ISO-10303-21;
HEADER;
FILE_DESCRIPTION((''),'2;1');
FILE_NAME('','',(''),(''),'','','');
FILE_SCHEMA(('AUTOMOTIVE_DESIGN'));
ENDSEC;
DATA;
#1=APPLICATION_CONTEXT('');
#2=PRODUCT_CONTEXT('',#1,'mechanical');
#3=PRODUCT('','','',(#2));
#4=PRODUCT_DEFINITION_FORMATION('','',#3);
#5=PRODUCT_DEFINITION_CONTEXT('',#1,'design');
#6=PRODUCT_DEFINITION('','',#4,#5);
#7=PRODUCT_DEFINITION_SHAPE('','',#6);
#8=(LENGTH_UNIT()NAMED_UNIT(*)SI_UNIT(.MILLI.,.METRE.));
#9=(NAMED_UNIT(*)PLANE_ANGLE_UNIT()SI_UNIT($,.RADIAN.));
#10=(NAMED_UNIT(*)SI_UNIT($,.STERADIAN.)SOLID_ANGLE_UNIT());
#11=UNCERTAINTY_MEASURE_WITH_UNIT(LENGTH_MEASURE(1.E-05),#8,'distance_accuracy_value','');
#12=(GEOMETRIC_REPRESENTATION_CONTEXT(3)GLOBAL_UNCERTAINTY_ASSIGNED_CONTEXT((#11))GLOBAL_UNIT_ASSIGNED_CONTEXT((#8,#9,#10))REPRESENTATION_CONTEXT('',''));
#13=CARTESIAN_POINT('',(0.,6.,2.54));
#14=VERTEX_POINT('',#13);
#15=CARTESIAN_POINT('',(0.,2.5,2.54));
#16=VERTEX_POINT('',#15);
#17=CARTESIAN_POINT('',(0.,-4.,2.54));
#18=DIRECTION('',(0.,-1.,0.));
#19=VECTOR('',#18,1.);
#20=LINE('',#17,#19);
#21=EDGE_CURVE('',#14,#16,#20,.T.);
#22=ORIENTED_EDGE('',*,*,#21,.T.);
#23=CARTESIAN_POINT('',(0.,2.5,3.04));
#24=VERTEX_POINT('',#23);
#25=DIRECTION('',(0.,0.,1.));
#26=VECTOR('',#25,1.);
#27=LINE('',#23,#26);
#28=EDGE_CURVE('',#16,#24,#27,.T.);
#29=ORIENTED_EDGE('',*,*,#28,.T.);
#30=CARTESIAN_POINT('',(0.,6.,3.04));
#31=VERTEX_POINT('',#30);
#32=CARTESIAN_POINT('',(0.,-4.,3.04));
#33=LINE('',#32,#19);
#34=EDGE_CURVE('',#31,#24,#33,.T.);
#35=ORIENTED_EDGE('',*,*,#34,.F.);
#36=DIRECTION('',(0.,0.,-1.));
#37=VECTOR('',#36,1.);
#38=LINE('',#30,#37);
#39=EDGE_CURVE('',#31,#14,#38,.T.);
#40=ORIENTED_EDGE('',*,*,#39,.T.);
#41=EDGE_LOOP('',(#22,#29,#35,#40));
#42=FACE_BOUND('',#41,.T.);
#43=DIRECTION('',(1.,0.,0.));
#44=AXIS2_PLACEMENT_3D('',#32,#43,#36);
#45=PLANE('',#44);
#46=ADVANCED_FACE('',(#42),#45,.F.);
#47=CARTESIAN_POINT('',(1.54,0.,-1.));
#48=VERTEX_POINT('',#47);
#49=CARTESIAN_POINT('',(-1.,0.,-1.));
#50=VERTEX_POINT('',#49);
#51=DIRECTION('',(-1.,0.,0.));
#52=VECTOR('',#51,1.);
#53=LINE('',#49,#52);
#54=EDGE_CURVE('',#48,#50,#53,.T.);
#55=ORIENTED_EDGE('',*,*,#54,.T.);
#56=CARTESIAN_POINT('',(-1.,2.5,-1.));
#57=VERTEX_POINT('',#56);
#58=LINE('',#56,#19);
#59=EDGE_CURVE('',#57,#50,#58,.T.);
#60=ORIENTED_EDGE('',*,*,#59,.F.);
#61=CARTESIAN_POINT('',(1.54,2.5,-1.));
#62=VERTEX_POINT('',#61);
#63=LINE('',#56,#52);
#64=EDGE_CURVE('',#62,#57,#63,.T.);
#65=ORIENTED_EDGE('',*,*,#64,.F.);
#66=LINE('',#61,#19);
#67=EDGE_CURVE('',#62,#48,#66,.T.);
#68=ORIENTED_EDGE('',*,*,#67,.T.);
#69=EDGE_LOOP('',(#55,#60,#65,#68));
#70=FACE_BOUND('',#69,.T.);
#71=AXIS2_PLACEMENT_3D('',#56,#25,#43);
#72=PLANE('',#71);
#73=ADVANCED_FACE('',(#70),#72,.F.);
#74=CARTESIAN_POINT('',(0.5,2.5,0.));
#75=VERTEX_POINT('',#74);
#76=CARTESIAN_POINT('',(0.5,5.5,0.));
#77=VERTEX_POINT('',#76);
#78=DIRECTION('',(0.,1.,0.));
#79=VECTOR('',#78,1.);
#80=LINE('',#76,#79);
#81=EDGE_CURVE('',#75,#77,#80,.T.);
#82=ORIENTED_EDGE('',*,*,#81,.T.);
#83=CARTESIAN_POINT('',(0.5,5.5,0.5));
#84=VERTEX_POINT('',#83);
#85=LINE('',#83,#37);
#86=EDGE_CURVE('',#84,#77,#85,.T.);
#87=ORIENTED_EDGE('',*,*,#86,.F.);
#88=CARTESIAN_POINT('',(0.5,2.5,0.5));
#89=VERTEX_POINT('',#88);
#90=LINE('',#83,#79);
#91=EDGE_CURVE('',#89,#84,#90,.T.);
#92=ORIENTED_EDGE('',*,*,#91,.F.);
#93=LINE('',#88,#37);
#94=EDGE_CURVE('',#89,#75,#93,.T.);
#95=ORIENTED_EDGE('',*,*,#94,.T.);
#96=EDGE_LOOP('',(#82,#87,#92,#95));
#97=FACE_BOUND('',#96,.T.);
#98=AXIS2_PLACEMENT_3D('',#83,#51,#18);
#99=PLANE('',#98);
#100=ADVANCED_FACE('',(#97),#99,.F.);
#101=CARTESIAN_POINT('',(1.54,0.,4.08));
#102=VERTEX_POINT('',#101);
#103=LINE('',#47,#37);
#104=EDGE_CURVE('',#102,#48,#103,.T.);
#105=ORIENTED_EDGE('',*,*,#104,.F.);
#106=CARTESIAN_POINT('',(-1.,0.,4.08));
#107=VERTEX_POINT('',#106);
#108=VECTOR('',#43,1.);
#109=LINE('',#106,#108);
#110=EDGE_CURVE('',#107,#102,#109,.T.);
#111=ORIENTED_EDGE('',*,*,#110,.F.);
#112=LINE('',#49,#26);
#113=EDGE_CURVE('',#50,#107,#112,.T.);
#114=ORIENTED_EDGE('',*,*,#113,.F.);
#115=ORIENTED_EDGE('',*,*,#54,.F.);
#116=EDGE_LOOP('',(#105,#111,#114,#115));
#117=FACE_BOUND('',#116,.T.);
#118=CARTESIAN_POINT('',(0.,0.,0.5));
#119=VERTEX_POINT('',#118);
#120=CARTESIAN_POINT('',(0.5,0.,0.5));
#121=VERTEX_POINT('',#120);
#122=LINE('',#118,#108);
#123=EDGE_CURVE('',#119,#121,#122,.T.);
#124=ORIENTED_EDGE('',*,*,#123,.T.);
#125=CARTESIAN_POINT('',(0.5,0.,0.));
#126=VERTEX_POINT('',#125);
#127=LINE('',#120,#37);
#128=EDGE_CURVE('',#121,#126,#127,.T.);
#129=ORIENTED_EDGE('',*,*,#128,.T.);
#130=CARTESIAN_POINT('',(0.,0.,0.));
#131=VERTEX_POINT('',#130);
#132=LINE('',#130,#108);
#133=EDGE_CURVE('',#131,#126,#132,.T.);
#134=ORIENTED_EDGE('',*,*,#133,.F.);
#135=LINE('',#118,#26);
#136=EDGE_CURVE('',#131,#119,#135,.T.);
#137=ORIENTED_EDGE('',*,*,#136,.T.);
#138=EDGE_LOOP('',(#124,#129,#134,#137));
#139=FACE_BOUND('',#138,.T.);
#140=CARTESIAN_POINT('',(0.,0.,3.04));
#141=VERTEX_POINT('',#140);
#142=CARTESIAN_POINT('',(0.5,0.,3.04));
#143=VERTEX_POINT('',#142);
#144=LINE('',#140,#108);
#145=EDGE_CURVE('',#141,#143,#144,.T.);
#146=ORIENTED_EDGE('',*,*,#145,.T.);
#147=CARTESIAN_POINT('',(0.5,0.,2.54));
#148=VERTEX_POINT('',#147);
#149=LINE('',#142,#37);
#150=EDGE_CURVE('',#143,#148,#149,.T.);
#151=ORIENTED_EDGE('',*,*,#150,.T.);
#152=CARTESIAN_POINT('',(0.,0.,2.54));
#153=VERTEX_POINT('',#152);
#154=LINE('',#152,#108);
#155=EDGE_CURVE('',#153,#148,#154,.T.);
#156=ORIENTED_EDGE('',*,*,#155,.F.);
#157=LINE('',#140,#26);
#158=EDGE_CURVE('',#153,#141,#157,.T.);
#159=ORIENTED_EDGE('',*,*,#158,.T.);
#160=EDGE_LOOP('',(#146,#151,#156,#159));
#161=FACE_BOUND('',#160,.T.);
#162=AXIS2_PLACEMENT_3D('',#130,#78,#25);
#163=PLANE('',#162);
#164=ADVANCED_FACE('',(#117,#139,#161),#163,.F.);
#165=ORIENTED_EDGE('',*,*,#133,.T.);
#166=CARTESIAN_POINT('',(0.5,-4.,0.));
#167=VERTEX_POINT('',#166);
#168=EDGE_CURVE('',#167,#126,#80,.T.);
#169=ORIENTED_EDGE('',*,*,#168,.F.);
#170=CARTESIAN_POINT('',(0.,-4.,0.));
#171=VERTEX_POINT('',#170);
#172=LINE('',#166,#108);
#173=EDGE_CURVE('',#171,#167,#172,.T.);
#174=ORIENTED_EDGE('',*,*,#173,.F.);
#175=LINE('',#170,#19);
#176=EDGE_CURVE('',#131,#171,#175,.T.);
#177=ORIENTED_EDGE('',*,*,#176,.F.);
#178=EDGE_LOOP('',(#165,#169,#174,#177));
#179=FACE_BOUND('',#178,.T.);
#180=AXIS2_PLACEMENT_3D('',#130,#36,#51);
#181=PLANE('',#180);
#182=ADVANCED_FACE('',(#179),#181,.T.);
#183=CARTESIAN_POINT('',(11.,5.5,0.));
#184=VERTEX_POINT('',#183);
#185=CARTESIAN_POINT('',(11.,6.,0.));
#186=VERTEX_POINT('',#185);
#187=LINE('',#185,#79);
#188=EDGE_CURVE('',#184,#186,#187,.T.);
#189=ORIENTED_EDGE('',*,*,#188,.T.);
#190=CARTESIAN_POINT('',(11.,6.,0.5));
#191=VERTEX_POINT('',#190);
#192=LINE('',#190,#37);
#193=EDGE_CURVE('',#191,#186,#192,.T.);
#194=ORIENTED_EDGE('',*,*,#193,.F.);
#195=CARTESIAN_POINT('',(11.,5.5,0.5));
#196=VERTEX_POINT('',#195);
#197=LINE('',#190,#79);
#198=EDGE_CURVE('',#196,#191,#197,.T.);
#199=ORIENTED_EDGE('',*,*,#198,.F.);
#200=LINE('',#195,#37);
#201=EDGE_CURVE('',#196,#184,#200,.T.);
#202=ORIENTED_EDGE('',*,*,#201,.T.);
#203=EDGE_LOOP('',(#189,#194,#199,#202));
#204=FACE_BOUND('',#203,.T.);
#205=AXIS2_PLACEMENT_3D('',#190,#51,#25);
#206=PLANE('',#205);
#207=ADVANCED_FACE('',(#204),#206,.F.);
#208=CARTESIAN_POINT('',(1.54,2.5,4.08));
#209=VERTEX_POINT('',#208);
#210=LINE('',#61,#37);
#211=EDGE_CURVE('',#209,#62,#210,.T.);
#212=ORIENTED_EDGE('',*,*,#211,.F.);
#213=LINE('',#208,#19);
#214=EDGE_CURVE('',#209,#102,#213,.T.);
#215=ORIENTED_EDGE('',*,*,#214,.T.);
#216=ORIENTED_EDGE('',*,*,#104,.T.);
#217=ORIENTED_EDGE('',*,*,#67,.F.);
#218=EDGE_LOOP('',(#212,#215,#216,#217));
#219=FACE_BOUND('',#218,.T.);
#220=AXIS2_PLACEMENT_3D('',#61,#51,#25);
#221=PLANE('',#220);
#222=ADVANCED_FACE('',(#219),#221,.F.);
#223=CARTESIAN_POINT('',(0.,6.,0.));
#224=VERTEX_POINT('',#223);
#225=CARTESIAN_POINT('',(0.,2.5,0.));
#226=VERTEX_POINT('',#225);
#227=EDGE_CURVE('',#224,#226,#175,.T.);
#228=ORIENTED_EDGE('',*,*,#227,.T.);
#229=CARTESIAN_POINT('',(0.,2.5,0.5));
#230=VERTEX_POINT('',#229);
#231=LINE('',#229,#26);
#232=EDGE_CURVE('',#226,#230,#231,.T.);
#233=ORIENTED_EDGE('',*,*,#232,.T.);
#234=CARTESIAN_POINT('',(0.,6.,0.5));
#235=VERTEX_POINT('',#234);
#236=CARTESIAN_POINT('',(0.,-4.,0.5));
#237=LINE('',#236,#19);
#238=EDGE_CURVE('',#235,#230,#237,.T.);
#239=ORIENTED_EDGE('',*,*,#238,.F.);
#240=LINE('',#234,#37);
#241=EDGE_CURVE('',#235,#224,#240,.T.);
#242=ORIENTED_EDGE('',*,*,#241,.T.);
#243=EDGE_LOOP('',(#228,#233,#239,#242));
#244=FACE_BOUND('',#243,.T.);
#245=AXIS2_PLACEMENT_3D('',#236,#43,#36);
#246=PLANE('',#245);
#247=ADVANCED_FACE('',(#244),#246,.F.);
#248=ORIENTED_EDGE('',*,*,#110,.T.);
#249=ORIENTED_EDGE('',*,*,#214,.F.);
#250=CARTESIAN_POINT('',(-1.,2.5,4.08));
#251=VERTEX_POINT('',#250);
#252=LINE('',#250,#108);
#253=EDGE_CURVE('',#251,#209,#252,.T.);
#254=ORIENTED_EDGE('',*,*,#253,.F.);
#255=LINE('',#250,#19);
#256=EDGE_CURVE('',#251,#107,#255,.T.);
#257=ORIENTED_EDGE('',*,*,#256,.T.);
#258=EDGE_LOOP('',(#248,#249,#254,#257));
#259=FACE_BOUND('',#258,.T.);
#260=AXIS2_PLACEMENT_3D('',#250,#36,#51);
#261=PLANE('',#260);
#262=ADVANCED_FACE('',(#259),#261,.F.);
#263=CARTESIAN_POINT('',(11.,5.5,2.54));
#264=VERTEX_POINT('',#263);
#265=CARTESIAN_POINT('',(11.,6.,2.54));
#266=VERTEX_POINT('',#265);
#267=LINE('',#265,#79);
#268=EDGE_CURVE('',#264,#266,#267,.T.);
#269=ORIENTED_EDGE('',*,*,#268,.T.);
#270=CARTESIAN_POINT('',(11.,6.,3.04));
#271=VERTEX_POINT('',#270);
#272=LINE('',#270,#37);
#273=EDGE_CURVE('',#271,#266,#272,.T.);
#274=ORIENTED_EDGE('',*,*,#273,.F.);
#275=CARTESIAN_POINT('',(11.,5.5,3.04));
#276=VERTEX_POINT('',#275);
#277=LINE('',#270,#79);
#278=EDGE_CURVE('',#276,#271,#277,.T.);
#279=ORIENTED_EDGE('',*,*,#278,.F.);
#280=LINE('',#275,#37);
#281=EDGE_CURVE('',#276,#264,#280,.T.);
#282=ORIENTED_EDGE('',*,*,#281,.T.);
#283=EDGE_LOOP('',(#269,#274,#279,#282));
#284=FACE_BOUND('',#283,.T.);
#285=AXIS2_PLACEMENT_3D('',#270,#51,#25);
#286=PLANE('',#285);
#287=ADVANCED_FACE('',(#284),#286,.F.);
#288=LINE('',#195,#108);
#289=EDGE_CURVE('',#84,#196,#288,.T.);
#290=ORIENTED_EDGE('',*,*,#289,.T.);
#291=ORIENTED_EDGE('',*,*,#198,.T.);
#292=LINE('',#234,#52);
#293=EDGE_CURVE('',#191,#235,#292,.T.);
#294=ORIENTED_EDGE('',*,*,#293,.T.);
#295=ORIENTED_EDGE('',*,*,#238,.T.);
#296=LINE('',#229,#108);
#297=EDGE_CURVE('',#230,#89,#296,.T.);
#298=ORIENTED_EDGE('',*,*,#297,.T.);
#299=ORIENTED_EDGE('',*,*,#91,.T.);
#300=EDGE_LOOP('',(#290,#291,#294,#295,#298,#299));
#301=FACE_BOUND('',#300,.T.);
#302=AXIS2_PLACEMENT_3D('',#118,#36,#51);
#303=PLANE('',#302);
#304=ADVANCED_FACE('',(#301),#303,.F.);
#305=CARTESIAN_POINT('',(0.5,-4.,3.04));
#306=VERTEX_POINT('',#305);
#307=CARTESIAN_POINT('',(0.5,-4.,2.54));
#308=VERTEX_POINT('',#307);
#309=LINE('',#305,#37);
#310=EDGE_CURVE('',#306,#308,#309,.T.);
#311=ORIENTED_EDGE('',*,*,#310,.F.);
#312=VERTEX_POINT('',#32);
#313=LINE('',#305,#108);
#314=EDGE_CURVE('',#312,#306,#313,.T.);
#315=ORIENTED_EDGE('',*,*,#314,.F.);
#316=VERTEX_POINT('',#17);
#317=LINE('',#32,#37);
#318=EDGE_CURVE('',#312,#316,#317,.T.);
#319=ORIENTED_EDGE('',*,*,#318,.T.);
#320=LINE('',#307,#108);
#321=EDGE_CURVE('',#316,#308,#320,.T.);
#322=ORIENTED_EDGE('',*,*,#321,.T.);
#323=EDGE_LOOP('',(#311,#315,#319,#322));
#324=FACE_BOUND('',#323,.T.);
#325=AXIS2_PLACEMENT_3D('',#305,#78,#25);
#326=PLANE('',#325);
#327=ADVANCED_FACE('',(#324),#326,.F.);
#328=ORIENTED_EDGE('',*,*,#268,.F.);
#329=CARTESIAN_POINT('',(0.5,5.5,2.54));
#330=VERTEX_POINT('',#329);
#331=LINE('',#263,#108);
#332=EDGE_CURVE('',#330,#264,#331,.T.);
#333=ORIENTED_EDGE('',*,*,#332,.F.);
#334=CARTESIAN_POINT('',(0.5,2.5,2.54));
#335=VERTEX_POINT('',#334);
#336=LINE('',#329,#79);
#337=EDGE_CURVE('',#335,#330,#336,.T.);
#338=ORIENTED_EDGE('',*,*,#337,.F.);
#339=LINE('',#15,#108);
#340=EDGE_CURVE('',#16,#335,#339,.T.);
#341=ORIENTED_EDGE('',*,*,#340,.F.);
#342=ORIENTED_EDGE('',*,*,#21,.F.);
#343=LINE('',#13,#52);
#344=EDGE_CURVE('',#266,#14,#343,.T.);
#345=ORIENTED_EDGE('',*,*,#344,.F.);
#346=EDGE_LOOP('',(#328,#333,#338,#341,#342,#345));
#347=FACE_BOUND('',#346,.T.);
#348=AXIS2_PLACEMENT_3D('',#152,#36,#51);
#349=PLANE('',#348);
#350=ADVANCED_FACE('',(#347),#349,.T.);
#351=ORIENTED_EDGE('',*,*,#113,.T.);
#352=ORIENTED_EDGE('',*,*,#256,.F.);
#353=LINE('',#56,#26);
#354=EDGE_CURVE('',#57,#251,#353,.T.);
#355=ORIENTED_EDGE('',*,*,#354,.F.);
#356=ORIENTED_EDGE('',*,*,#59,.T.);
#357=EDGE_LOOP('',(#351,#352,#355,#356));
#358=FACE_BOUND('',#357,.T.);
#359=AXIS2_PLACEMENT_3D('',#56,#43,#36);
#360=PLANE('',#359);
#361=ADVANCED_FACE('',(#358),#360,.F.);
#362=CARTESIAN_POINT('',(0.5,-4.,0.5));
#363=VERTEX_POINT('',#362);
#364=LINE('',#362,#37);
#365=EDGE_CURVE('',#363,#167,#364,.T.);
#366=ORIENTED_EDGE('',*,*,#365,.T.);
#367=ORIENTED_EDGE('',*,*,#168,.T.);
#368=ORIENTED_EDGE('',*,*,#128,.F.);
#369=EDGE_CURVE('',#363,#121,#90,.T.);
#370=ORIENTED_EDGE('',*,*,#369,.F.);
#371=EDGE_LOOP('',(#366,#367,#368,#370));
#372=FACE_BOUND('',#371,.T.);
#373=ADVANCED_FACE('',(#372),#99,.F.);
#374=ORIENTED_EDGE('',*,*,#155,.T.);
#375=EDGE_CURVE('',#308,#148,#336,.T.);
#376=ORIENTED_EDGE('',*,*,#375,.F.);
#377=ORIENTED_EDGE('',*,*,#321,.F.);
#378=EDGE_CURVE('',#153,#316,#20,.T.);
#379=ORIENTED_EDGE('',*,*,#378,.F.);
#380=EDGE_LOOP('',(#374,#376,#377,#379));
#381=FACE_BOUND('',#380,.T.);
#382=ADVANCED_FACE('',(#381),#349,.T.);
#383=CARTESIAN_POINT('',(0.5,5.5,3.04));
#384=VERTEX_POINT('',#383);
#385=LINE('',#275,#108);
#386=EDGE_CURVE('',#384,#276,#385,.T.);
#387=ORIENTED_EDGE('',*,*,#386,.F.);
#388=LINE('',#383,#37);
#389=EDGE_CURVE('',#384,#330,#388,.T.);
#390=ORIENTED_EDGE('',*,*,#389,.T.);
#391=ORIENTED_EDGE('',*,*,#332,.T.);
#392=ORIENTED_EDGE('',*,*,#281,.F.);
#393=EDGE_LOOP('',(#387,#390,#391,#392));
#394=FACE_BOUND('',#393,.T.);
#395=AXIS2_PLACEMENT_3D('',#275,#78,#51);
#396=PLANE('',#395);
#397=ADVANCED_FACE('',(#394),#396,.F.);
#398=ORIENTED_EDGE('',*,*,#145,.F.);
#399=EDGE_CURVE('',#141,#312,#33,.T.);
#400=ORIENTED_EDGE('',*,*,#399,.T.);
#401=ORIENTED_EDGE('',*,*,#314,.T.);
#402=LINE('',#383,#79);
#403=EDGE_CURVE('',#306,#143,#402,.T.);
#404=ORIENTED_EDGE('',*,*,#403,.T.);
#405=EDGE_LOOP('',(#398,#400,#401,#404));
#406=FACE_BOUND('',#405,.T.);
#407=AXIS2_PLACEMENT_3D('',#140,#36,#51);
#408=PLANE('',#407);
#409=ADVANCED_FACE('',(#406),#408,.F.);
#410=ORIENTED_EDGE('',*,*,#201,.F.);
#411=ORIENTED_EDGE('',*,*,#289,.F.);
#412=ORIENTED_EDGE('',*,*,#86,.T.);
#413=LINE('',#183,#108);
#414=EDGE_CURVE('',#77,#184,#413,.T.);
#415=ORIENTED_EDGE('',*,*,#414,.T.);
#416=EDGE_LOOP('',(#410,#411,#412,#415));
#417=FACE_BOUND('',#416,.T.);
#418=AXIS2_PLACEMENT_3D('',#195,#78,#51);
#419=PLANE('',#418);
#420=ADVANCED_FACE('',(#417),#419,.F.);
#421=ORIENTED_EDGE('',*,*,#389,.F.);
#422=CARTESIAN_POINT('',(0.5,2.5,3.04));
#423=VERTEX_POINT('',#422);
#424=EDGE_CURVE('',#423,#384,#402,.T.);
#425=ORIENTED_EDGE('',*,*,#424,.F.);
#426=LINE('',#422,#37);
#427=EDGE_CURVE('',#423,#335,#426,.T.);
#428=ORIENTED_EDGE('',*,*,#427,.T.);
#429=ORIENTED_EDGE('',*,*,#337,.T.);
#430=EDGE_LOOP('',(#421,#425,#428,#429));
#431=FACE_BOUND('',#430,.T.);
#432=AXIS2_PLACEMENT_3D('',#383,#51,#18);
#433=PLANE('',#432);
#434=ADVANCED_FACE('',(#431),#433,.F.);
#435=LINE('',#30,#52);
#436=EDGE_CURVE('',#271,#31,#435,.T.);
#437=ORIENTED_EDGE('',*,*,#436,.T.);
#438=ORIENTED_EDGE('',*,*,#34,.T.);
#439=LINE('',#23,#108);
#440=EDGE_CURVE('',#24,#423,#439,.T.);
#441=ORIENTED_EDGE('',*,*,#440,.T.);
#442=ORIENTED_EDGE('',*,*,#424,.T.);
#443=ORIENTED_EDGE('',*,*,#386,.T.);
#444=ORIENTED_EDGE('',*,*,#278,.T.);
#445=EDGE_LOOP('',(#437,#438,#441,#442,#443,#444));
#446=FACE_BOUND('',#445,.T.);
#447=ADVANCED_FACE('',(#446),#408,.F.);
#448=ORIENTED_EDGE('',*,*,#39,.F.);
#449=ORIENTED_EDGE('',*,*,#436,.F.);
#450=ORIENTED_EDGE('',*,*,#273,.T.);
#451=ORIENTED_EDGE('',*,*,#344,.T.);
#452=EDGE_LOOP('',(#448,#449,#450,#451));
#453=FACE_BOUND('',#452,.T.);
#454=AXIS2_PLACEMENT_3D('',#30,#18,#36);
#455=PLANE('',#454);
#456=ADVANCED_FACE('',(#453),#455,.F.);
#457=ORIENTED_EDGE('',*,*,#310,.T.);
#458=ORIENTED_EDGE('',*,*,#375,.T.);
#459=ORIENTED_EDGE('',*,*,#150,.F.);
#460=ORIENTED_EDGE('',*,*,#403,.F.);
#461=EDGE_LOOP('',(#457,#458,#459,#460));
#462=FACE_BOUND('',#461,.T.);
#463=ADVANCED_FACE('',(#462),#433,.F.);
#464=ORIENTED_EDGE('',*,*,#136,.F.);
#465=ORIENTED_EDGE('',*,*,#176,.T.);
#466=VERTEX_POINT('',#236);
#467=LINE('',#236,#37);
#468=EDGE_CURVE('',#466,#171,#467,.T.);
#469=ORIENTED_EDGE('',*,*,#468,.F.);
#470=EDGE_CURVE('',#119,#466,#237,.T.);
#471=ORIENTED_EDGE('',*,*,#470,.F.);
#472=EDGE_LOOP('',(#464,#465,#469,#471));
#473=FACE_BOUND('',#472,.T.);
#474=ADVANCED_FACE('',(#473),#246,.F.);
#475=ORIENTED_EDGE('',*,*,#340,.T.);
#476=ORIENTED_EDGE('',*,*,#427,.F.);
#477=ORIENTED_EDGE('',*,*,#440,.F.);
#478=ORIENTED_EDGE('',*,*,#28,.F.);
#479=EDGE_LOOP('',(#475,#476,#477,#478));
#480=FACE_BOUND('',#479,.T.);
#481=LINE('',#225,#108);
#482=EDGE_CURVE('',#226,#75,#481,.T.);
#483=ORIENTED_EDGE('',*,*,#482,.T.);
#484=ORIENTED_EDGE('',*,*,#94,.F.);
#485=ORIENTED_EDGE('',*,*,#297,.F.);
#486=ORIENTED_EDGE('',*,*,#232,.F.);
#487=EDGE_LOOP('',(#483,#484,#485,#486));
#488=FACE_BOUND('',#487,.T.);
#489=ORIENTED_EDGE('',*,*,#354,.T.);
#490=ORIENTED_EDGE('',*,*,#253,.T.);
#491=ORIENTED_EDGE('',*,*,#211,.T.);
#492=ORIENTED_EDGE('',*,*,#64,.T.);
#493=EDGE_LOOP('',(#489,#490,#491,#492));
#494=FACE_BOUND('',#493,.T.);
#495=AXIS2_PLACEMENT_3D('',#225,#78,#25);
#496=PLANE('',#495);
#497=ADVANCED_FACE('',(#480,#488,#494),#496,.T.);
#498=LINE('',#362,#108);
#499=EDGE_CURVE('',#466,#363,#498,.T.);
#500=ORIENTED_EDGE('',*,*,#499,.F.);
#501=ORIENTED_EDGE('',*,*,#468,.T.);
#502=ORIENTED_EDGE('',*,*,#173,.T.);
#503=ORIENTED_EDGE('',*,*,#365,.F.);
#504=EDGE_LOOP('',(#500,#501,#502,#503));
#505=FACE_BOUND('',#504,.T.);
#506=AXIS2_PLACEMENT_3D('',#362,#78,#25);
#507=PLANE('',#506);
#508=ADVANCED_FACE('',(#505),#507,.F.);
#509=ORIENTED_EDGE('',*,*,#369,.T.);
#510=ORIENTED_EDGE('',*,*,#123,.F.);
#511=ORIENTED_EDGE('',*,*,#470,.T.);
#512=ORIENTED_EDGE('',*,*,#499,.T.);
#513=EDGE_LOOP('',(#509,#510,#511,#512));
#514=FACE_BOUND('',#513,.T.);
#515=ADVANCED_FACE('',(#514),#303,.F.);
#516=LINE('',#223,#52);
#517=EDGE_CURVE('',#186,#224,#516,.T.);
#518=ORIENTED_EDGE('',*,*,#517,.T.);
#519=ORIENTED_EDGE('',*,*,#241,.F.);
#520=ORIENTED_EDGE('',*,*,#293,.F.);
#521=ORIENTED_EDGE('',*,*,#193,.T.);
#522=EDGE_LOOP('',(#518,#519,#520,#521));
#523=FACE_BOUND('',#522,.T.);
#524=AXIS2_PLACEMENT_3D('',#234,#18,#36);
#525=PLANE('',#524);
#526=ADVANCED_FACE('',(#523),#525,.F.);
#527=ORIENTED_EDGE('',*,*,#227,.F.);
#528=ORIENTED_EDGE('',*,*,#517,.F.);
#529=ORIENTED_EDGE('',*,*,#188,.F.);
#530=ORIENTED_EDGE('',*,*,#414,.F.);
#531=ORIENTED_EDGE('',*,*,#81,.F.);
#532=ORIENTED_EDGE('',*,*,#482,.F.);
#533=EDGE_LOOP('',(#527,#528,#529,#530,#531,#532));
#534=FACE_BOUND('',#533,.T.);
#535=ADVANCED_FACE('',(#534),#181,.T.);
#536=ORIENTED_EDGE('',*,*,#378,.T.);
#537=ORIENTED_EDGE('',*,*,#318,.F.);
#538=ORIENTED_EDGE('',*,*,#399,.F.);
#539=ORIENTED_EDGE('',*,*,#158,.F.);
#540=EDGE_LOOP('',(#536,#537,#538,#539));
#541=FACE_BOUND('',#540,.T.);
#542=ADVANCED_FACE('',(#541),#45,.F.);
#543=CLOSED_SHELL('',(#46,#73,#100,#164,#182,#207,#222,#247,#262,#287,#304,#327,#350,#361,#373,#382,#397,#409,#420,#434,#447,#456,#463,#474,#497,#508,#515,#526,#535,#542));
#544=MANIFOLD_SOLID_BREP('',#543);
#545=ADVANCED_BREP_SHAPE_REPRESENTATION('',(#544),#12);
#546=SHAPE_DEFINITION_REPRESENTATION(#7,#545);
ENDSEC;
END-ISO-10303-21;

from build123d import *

# Parameters (mm, degrees)
BOSS_EXTRU_1_DEPTH         = 0.5
ESQUISSE2_W                = 2.54
ESQUISSE2_H                = 2.54
BOSS_EXTRU_2_DEPTH         = 2.5
R_P_TITION_LIN_AIRE3_COUNT = 2
R_P_TITION_LIN_AIRE3_PITCH = 2.54


with BuildPart() as part:
    # Esquisse1 → Boss.-Extru.1 (new body)
    with BuildSketch(Plane.XY):
        Polygon((0, -4), (0, 6), (11, 6), (11, 5.5), (0.5, 5.5), (0.5, -4), align=None)
    boss_extru_1 = extrude(amount=BOSS_EXTRU_1_DEPTH)

    # Esquisse2 → Boss.-Extru.2 (add)
    with BuildSketch(Plane(origin=(0, 0, 0), x_dir=(1, 0, 0), z_dir=(0, 1, 0))):
        with Locations((0.27, -0.27)):
            Rectangle(ESQUISSE2_W, ESQUISSE2_H)
    boss_extru_2 = extrude(amount=BOSS_EXTRU_2_DEPTH)

    # Répétition linéaire3: Boss.-Extru.1, Boss.-Extru.2 ×2
    with Locations(*[(0, 0, i * R_P_TITION_LIN_AIRE3_PITCH) for i in range(1, R_P_TITION_LIN_AIRE3_COUNT)]):
        add(boss_extru_1)
        add(boss_extru_2)


solid = part.part
